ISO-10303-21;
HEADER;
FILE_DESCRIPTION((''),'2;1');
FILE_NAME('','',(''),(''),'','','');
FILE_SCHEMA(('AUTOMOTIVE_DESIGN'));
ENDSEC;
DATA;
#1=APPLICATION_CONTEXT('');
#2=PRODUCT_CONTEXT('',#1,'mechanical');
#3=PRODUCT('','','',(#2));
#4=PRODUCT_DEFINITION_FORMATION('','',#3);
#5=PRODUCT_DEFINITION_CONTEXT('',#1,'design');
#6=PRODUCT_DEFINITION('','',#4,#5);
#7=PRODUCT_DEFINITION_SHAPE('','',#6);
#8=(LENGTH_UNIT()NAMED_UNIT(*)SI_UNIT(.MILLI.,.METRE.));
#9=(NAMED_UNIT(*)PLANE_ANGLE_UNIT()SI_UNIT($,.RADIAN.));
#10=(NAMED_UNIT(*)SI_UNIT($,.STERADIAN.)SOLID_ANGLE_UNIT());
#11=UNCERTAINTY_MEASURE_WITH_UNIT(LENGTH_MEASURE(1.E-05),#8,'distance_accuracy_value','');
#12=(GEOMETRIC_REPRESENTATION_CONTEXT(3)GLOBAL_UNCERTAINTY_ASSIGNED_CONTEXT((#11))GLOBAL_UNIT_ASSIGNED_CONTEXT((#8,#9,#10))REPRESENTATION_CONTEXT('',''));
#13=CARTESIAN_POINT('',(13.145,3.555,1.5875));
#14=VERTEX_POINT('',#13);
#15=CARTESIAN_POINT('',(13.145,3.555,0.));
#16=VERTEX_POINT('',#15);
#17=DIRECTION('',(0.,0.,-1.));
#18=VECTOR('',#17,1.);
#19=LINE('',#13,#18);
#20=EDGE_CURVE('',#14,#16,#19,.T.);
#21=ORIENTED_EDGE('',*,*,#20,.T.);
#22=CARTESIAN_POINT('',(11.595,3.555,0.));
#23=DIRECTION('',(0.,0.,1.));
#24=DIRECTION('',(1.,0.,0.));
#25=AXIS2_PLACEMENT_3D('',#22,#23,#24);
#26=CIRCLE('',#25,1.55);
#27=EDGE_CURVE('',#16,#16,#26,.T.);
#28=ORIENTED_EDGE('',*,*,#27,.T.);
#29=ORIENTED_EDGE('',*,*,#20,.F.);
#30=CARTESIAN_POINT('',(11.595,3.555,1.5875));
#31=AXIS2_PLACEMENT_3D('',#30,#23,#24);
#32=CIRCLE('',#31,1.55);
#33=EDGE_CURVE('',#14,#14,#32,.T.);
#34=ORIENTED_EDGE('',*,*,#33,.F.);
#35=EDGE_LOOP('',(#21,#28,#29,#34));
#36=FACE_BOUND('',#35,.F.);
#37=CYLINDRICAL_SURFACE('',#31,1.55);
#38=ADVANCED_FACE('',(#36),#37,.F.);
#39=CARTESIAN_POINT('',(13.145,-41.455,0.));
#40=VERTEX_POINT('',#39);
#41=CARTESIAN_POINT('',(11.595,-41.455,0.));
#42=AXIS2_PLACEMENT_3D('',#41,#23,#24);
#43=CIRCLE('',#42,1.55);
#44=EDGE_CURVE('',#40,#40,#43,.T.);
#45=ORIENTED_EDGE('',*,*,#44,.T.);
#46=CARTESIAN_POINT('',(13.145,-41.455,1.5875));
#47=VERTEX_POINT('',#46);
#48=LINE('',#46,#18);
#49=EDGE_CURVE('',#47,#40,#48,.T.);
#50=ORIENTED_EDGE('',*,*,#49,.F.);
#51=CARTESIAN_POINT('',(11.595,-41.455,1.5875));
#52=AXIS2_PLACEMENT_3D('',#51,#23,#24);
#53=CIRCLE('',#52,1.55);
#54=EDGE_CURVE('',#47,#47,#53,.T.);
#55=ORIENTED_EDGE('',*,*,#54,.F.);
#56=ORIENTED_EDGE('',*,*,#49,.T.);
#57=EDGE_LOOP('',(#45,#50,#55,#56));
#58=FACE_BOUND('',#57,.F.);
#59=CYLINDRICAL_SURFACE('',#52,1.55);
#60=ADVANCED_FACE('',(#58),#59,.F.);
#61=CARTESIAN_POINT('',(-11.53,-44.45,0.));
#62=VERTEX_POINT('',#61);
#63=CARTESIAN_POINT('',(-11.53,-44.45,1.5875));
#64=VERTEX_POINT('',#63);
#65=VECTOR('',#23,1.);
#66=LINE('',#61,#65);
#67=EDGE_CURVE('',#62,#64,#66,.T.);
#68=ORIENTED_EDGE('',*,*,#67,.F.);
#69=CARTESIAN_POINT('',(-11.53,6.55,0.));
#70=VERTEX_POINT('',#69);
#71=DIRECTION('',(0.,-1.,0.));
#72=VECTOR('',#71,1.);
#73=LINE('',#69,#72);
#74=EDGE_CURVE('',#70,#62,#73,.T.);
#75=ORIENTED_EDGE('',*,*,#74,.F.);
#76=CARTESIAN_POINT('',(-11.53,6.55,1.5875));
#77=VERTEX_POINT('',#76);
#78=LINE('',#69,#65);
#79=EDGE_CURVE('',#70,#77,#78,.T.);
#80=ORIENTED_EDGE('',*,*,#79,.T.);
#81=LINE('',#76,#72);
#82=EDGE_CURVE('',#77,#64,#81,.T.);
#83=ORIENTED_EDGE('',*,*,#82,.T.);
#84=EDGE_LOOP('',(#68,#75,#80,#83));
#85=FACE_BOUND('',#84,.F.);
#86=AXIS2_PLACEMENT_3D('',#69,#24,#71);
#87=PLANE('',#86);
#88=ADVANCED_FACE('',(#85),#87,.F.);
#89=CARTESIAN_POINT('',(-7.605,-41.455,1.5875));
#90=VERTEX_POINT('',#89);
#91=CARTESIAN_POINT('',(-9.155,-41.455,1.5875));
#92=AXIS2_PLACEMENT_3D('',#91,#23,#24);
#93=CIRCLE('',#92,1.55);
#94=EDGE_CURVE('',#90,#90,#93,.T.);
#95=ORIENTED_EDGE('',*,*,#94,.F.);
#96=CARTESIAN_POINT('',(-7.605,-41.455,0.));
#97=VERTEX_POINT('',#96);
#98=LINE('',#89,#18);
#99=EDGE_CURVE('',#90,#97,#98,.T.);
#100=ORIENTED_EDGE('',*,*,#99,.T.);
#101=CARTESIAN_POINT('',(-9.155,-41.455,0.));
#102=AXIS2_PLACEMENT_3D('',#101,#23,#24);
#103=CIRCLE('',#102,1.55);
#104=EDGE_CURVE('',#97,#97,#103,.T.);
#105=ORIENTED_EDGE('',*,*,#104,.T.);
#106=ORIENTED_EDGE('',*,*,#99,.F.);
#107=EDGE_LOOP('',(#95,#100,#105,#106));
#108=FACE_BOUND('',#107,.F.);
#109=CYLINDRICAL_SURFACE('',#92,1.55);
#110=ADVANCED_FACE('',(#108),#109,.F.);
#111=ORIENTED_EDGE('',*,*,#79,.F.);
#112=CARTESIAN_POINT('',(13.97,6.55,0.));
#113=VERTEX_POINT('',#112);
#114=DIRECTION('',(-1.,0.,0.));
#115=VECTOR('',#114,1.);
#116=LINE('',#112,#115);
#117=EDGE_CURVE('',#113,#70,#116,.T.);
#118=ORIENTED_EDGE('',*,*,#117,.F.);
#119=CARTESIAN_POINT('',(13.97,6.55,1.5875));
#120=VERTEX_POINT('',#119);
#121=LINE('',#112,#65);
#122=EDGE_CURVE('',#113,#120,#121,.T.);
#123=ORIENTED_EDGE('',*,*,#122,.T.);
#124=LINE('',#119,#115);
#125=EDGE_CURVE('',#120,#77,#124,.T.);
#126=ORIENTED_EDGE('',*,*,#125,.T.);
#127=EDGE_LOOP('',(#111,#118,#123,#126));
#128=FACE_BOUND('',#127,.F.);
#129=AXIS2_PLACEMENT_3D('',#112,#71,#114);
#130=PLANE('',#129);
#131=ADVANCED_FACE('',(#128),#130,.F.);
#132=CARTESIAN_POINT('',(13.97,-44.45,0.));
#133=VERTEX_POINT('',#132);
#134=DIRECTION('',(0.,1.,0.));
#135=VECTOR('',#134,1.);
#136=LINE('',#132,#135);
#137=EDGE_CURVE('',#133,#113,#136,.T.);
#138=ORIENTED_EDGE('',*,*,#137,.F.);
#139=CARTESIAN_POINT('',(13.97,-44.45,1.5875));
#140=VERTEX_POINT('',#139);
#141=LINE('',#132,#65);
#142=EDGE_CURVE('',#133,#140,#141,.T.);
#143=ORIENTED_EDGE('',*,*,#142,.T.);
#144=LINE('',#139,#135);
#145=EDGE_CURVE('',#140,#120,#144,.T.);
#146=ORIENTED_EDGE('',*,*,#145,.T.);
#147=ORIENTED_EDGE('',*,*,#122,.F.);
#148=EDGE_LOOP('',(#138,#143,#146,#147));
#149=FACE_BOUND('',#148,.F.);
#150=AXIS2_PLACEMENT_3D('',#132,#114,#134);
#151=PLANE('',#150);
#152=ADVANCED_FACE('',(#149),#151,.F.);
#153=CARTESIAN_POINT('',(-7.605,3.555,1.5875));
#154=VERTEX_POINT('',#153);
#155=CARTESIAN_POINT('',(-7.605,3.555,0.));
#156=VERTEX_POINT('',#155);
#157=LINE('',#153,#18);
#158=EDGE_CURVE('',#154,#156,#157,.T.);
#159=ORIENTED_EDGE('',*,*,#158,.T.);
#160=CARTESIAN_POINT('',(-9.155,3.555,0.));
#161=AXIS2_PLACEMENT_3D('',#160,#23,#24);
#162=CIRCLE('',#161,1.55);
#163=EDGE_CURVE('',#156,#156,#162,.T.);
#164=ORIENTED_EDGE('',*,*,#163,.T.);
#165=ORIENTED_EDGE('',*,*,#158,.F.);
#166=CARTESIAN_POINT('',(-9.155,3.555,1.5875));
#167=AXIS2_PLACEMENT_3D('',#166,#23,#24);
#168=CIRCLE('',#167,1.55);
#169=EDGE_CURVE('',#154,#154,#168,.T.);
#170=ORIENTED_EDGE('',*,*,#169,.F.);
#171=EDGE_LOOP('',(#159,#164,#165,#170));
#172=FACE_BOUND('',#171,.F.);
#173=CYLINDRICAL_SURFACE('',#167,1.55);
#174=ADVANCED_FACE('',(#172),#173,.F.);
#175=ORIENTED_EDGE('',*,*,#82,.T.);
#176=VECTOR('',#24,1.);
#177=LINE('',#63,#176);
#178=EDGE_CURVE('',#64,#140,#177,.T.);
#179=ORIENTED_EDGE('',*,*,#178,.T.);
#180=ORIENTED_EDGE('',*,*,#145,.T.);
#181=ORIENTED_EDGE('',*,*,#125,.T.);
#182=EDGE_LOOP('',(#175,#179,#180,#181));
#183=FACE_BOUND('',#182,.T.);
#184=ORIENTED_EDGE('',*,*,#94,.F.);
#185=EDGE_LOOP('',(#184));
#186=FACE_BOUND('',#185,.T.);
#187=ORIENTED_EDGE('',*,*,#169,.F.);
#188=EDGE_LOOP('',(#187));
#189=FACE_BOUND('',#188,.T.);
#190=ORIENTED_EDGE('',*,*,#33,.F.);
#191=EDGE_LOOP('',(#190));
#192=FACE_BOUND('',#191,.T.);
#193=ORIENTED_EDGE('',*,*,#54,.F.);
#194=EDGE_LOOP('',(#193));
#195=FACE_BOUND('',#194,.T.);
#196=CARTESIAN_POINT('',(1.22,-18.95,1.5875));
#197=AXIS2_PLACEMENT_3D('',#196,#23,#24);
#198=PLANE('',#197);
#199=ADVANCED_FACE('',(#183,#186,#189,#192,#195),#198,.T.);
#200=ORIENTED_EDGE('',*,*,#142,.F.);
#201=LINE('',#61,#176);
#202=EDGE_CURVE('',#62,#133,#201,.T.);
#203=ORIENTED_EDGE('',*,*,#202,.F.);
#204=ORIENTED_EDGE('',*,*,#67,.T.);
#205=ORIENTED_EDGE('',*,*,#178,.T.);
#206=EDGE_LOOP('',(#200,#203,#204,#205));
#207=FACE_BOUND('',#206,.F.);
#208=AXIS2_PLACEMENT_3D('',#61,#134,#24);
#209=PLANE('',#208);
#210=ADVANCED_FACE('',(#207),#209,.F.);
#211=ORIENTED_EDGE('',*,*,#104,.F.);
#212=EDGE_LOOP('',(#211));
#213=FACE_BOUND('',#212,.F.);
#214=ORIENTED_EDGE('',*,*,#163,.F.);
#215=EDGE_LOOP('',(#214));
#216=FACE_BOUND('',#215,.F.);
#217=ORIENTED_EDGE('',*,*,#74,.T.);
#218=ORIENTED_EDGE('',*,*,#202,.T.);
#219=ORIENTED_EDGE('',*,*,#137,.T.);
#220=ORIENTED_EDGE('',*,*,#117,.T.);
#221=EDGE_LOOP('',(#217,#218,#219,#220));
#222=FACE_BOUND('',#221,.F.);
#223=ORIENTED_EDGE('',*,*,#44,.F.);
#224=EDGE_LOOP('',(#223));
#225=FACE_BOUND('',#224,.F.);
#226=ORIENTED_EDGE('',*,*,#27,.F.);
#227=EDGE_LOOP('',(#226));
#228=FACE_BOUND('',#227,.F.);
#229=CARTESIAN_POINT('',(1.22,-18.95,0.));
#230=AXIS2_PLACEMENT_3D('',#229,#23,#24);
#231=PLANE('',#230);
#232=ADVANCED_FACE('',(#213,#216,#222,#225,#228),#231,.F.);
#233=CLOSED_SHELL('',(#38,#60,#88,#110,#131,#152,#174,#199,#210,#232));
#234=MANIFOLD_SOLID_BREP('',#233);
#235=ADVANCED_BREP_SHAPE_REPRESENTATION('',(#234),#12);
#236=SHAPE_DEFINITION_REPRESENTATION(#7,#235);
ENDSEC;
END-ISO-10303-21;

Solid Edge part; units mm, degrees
sketch "Sketch1" plane through (0, 0, 0) normal (0, 0, 1) x (1, 0, 0)
  line L0 (-11.53, 6.55) -> (-11.53, -44.45)
  line L1 (-11.53, -44.45) -> (13.97, -44.45)
  line L2 (13.97, -44.45) -> (13.97, 6.55)
  line L3 (13.97, 6.55) -> (-11.53, 6.55)
extrude "Protrusion1" add sketch "Sketch1" along normal blind 1.5875
sketch "Sketch2" plane through (1.22, -18.95, 1.5875) normal (0, 0, 1) x (1, 0, 0)
  circle A0 centre (-10.375, 22.505) radius 1.55
  circle A1 centre (10.375, 22.505) radius 1.55
  circle A2 centre (10.375, -22.505) radius 1.55
  circle A3 centre (-10.375, -22.505) radius 1.55
  dimension "D1" = 3.1
  dimension "D2" = 17.65
  dimension "D3" = 41.91
extrude "ExtrudedCutout_1" cut sketch "Sketch2" against normal blind 58.166
